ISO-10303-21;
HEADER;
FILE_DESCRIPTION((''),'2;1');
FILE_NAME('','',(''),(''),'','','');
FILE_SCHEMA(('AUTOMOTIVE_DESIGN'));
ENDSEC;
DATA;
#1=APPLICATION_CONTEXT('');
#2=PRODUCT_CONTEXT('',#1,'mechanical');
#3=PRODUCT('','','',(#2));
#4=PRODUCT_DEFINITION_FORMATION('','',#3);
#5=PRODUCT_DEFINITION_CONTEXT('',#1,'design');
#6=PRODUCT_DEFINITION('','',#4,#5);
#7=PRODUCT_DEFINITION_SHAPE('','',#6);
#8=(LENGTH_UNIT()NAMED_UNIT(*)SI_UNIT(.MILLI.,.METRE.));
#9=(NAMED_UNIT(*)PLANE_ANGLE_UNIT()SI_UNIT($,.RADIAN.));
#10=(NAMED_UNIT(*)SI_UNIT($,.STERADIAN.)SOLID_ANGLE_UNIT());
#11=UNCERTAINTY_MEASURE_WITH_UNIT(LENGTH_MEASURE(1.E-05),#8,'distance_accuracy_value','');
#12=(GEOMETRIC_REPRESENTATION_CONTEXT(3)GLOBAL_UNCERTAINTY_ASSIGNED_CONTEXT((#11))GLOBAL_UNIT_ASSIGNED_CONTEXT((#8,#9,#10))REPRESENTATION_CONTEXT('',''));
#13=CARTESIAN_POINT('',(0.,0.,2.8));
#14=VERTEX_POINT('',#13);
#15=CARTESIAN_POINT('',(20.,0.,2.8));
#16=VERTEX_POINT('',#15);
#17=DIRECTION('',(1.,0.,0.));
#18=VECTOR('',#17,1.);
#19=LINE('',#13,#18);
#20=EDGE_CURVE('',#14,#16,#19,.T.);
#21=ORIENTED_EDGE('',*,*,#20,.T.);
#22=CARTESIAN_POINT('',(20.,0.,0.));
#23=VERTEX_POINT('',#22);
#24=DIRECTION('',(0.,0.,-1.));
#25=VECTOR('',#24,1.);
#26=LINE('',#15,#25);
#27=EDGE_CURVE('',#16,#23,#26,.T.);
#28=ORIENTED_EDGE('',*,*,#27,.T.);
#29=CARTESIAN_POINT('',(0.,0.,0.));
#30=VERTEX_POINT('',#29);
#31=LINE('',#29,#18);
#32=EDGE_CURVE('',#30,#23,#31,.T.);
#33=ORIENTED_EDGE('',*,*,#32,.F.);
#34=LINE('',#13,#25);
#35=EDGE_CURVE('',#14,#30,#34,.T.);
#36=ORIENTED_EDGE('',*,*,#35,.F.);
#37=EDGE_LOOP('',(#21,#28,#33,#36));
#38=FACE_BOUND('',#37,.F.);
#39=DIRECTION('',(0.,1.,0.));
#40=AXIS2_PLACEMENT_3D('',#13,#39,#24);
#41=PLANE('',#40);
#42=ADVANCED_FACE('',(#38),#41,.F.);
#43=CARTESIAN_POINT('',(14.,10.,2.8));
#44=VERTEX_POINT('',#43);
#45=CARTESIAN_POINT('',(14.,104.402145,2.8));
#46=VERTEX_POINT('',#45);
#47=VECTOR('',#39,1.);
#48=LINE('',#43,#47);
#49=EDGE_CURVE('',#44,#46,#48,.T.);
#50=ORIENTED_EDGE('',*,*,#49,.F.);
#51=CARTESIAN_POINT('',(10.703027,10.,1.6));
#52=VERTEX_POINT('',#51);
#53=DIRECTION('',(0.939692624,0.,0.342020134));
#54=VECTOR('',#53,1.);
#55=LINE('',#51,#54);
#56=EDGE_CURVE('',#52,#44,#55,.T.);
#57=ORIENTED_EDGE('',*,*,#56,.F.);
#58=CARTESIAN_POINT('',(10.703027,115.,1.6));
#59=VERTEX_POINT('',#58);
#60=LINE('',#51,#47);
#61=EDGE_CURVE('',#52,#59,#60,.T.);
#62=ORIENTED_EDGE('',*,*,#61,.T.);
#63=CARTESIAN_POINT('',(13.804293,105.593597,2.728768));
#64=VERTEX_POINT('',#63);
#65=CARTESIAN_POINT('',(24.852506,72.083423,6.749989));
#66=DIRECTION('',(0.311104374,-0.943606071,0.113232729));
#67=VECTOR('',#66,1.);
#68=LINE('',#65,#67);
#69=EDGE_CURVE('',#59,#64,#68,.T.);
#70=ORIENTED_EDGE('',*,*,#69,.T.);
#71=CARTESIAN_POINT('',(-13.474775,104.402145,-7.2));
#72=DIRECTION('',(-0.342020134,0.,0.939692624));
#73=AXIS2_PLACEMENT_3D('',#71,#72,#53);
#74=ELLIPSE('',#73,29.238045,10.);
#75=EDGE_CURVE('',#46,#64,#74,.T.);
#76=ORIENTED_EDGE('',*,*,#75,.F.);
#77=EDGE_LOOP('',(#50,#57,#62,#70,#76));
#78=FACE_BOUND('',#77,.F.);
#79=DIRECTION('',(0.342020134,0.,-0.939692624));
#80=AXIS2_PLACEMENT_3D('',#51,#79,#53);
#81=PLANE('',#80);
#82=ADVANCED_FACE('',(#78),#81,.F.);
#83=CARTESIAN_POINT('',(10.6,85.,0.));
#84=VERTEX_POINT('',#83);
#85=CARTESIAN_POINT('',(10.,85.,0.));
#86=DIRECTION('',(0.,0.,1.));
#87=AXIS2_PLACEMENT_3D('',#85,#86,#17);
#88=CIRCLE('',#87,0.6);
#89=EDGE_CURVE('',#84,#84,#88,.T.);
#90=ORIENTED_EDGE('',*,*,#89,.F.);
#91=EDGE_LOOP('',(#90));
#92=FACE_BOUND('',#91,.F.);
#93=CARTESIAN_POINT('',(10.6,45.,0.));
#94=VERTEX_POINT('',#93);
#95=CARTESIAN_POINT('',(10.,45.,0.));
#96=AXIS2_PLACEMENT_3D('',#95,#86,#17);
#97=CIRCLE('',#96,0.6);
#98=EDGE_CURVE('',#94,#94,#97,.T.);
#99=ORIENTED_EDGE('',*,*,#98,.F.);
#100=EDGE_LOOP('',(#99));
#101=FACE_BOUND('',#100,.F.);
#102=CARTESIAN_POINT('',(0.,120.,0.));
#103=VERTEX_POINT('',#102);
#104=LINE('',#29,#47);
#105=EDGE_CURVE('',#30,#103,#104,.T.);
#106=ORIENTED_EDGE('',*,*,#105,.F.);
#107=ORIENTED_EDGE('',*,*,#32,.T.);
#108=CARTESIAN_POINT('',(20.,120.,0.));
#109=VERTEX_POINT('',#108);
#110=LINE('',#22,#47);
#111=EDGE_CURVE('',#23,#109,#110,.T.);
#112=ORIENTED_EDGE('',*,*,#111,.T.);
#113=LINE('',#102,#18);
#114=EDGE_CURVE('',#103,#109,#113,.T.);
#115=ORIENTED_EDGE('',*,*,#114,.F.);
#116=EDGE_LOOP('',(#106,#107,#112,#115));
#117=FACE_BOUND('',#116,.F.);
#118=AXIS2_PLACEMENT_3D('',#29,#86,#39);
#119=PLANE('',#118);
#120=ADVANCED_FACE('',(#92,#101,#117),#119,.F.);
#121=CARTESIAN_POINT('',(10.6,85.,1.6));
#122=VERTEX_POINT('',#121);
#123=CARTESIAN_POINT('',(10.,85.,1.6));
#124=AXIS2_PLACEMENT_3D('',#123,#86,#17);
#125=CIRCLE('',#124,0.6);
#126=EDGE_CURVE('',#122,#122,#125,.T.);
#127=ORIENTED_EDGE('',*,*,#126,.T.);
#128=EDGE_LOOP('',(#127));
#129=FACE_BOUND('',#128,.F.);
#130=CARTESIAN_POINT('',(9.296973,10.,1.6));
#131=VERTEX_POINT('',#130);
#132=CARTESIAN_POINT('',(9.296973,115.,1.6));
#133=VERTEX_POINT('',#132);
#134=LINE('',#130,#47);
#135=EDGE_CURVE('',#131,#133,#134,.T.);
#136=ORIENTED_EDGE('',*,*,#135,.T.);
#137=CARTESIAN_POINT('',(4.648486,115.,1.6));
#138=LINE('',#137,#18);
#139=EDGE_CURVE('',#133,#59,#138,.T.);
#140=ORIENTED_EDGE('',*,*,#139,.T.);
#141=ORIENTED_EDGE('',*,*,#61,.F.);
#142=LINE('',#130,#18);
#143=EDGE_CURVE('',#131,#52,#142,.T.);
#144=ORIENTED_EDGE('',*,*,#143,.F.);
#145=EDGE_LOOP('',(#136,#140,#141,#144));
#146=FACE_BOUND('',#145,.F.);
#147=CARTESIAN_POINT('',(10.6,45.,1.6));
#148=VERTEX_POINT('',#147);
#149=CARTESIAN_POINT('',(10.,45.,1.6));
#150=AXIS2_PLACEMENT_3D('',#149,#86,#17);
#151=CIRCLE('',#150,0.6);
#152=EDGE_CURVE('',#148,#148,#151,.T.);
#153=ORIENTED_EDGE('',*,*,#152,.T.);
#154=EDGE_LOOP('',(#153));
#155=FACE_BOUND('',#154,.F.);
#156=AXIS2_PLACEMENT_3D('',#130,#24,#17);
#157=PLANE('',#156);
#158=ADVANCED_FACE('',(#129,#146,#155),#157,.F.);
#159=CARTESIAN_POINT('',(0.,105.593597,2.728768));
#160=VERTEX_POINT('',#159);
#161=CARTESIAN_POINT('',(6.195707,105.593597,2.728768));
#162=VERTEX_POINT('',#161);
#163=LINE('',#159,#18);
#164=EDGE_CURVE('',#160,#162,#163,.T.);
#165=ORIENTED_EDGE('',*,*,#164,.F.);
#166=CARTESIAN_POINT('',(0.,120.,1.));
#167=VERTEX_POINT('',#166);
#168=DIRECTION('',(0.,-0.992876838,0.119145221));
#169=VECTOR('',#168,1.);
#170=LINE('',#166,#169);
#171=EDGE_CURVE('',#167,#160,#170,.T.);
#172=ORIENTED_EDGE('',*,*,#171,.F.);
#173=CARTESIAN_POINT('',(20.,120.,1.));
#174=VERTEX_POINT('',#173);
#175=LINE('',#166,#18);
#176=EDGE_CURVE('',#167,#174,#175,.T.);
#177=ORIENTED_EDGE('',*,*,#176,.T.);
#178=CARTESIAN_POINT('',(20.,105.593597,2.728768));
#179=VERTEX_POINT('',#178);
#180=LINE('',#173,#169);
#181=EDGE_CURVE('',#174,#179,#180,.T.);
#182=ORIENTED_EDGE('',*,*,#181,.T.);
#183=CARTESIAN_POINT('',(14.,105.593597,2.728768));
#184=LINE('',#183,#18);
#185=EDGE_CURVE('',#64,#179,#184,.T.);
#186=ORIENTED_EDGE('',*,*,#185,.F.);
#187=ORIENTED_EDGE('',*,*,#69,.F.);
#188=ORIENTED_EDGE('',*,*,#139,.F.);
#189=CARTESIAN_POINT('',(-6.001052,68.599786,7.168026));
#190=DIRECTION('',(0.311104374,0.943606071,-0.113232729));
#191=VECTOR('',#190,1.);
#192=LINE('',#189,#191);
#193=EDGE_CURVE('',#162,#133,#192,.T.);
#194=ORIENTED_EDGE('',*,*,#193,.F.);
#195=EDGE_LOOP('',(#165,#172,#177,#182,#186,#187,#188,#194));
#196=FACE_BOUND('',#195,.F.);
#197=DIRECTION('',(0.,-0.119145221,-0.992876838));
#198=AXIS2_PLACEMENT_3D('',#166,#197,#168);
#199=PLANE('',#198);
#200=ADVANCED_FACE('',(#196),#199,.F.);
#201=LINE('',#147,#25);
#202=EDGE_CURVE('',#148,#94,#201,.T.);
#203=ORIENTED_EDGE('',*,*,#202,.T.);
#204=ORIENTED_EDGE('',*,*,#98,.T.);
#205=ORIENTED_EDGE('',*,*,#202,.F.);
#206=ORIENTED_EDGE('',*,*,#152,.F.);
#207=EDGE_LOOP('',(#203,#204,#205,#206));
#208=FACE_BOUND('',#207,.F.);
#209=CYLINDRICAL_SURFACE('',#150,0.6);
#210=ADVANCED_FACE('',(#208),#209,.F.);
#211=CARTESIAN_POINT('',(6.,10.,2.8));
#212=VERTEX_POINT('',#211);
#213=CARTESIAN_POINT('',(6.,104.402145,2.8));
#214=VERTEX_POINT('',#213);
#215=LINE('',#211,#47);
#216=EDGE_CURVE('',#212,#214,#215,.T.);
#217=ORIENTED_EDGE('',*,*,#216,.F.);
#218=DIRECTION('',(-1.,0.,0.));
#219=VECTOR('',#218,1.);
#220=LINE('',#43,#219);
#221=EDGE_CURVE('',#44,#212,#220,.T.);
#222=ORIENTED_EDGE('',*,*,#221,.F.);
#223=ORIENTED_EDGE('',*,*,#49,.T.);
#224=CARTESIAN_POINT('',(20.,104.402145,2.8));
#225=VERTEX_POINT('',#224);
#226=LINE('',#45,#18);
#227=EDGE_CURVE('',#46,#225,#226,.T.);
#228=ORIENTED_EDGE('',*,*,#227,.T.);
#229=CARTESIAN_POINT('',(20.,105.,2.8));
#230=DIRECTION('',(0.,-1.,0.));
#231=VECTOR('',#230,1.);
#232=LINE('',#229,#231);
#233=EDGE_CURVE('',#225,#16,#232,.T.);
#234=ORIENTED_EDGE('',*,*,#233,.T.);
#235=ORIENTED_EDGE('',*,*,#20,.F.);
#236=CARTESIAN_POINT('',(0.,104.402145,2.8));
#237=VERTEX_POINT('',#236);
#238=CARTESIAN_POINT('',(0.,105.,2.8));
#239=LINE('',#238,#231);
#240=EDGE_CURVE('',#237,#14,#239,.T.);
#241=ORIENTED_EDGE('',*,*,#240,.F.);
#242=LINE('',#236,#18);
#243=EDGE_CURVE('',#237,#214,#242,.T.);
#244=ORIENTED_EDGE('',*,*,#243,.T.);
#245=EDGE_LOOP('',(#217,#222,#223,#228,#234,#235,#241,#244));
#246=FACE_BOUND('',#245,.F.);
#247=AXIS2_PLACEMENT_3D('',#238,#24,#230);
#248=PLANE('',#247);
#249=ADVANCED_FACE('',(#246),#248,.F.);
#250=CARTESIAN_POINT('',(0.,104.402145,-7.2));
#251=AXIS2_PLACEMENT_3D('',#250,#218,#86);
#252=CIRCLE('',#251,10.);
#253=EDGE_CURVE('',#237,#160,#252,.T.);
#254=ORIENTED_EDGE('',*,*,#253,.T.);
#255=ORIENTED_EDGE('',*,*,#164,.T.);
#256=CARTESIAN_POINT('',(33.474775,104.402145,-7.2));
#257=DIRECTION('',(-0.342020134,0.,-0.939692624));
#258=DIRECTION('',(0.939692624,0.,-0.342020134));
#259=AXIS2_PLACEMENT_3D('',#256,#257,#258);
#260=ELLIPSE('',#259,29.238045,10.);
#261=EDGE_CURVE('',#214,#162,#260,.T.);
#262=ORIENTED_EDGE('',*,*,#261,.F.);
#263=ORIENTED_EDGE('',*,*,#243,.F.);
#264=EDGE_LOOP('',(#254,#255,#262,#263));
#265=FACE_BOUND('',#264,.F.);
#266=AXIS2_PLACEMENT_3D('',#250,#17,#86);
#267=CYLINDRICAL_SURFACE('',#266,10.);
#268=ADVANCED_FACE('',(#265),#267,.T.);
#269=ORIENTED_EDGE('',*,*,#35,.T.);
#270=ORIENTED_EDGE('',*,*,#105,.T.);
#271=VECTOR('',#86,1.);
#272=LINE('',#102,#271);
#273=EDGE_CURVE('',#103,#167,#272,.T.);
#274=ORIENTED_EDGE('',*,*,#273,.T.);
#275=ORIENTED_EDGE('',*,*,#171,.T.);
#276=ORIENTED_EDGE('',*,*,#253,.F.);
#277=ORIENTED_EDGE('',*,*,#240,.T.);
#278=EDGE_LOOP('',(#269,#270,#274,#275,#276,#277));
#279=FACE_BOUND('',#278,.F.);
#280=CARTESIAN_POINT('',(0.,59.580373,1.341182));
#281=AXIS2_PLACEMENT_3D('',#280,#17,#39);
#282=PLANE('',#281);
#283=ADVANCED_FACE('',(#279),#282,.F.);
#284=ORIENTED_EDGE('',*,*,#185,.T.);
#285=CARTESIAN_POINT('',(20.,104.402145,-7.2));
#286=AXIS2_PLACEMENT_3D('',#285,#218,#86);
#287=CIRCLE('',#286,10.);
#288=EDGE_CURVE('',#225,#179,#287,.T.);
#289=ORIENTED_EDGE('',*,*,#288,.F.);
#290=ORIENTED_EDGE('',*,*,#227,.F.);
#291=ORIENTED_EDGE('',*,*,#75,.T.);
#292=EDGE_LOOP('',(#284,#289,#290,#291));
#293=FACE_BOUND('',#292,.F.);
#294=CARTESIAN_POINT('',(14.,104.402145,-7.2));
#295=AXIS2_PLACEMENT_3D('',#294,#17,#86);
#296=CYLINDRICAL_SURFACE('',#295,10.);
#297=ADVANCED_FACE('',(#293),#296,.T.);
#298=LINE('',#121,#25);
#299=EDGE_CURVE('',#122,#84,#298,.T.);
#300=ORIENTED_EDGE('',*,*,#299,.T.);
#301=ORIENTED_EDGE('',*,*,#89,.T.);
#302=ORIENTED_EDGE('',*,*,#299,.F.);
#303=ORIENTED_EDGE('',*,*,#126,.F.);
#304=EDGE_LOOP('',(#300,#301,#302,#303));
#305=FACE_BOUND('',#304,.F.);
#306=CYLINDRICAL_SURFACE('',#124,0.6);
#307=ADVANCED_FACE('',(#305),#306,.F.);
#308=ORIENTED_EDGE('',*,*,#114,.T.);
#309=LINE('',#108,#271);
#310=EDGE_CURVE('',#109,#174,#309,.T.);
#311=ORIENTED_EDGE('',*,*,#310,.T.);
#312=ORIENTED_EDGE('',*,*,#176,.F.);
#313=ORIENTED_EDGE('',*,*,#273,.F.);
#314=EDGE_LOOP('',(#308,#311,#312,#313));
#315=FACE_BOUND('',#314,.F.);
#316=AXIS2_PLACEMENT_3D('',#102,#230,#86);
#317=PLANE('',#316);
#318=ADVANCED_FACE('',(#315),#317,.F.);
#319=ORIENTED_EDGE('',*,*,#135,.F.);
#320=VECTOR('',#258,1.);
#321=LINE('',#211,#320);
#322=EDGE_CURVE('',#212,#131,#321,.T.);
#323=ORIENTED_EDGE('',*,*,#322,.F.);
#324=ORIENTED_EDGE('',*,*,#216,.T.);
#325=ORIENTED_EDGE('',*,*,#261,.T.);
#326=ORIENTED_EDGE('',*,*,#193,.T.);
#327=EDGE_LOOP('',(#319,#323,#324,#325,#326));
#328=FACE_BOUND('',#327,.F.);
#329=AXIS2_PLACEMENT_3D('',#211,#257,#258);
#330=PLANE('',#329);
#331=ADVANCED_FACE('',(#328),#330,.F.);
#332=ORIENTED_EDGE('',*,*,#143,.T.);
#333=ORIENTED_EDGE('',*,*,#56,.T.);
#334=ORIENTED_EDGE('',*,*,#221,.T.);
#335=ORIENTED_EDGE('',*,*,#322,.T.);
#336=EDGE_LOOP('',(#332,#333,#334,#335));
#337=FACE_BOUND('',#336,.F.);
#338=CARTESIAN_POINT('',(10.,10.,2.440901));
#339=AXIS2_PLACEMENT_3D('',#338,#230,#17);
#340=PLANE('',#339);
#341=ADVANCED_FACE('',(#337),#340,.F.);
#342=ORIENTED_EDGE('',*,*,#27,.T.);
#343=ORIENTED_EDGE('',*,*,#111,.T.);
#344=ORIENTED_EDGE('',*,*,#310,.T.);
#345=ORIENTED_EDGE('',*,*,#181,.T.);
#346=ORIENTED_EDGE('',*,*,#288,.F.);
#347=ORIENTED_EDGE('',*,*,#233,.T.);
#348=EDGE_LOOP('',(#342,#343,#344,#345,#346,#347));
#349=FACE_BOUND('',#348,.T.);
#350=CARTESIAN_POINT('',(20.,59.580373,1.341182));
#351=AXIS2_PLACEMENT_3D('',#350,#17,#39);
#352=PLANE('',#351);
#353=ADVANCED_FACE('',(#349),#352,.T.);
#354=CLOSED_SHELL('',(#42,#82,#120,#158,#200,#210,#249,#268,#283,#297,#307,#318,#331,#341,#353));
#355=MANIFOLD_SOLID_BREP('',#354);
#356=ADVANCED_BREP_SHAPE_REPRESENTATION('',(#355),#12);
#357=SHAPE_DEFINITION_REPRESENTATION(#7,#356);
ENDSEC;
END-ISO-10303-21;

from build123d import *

# Parameters (mm, degrees)
F1_DEPTH = 20
F3_DEPTH = 120
F6_R     = 0.6
F7_DEPTH = 25
F8_R     = 10


with BuildPart() as f1:
    # F0 (on Right) → F1 (new body)
    with BuildSketch(Plane.YZ):
        Polygon((0, 2.8), (0, 0), (120, 0), (120, 1), (105, 2.8), align=None)
    extrude(amount=F1_DEPTH)


with BuildPart() as f3:
    # F2 (on face) → F3 (new body)
    with BuildSketch(Plane.XZ):
        Polygon((6, 2.8), (9.296973, 1.6), (10.703027, 1.6), (14, 2.8), align=None)
    extrude(amount=-F3_DEPTH)


with BuildPart() as f3_1:
    # F4: moved
    add(f3.part.moved(Location((0, 10, 0))))


with BuildPart() as f1_1:
    add(f1.part)

    # F5: cut F3
    add(f3_1.part, mode=Mode.SUBTRACT)

    # F6 (on face) → F7 (cut)
    with BuildSketch(Plane.XY.offset(1.6)):
        with Locations((10, 85)):
            Circle(F6_R)
        with Locations((10, 45)):
            Circle(F6_R)
    extrude(amount=-F7_DEPTH, mode=Mode.SUBTRACT)

    # F8
    f8_edges = [f1_1.edges().sort_by_distance(p)[0] for p in [
        (17, 105, 2.8),
        (3, 105, 2.8),
    ]]
    fillet(f8_edges, radius=F8_R)


solid = f1_1.part
